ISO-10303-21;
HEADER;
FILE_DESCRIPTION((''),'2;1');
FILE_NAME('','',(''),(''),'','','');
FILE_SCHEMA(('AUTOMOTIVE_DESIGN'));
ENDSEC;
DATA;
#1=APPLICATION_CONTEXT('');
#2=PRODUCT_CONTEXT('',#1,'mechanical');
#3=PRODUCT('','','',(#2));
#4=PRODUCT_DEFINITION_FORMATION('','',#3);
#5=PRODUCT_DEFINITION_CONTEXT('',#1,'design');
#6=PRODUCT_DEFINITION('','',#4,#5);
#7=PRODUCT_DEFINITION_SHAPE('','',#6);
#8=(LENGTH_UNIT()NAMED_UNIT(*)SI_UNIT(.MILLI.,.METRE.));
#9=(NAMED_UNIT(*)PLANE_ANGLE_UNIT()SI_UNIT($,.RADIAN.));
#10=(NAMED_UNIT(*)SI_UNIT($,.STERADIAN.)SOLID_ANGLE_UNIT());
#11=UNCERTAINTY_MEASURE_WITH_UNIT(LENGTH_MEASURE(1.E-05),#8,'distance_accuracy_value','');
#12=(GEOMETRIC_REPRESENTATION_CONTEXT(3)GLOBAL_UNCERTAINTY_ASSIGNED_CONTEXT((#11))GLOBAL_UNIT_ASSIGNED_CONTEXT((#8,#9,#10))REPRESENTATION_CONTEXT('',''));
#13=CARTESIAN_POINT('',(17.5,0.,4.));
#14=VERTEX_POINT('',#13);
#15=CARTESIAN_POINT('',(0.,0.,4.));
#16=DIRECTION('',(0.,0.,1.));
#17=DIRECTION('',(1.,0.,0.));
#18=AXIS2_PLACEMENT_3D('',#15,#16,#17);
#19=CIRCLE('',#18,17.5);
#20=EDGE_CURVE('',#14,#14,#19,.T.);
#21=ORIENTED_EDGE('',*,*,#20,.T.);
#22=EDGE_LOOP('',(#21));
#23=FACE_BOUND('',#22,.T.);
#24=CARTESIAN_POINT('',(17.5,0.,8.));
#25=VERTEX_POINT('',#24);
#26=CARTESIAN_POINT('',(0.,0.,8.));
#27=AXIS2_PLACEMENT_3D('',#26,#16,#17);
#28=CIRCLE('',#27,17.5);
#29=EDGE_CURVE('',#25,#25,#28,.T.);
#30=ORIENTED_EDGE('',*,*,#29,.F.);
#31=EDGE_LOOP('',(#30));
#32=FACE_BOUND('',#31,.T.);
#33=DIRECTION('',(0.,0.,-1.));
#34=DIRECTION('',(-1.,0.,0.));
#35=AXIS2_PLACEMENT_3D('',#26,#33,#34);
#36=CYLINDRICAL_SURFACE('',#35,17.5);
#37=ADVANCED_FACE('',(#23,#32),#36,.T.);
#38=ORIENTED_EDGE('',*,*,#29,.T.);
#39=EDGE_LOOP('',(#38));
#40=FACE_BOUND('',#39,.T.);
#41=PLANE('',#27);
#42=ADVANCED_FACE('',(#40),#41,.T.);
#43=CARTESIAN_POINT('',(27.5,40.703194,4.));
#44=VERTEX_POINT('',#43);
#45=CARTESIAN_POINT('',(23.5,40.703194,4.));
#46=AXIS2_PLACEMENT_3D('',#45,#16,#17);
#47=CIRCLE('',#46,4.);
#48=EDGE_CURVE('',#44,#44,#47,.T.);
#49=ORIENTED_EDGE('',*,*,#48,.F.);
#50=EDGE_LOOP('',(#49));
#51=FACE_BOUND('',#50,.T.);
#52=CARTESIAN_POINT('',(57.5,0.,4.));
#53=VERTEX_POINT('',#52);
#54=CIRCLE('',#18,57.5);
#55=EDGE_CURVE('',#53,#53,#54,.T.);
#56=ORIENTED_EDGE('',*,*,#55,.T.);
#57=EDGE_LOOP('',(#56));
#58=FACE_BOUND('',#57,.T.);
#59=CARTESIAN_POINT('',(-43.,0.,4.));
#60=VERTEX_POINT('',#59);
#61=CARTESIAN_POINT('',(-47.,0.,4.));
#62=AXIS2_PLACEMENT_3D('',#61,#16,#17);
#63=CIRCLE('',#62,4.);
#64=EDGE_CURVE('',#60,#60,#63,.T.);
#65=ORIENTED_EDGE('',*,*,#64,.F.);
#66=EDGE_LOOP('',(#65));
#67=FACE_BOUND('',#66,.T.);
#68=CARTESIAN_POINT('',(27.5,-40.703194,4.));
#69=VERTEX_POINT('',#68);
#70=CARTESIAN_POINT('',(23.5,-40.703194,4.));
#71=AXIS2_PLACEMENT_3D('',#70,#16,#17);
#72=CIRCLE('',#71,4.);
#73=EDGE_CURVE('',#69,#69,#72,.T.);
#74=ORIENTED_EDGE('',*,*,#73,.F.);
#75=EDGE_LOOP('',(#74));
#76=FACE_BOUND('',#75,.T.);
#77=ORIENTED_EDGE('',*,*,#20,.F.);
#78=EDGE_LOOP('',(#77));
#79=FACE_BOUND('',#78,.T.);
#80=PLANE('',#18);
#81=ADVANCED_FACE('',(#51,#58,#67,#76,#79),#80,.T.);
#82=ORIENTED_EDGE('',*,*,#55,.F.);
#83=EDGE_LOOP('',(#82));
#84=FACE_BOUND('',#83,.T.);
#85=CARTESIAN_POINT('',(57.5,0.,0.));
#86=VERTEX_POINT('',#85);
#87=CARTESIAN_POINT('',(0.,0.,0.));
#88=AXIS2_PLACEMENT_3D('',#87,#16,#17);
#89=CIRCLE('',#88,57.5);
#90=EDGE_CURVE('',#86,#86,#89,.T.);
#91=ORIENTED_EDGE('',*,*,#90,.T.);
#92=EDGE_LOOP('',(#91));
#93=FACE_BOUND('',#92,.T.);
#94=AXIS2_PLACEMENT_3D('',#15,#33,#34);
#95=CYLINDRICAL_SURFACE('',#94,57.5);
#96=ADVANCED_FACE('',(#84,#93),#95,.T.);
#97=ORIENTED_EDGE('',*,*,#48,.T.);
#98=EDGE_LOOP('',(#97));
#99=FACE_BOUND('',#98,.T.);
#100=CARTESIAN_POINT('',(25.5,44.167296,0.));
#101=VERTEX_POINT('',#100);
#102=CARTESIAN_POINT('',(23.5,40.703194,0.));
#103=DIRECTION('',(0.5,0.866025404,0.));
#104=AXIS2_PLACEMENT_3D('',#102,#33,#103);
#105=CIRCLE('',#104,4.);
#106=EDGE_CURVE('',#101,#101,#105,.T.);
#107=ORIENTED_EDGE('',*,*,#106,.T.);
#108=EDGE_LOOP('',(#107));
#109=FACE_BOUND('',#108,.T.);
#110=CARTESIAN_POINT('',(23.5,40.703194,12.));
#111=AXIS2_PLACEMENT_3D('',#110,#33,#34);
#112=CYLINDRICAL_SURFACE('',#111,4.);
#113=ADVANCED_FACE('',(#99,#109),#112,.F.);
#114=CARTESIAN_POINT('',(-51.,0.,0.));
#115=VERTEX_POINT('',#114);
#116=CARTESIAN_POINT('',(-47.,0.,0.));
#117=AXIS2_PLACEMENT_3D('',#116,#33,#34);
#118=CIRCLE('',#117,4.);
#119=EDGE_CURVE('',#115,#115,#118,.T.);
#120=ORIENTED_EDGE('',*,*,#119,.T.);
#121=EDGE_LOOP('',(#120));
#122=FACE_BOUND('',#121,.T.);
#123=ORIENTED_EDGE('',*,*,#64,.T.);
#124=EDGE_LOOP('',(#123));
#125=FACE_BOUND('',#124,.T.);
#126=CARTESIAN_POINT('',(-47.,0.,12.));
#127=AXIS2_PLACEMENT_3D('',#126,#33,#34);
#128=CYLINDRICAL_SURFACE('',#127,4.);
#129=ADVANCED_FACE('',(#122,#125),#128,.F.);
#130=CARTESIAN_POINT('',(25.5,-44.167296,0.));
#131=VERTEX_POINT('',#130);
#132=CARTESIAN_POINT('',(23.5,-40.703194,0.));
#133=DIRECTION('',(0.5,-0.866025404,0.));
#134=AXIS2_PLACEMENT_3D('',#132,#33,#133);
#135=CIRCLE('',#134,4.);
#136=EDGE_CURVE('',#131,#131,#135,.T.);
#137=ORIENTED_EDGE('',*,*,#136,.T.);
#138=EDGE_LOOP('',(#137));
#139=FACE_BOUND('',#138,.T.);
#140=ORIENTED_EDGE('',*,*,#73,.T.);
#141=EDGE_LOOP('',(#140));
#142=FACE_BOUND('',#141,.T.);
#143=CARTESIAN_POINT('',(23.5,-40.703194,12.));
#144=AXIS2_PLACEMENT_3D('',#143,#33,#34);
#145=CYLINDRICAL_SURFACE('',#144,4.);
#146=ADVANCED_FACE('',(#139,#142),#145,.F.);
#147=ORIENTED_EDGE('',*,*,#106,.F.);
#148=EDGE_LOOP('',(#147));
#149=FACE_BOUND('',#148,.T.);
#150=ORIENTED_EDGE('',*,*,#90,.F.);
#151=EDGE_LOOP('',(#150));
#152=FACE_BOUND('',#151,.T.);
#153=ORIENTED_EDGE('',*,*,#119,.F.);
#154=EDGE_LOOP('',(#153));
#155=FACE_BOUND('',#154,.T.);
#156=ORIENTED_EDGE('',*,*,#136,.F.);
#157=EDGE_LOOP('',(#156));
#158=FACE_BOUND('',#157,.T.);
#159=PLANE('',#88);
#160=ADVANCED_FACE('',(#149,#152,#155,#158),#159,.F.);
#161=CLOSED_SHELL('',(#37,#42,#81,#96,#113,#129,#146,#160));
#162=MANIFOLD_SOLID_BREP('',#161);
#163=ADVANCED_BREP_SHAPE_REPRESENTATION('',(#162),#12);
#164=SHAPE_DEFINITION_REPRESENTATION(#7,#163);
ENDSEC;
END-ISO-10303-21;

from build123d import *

# Parameters (mm, degrees)
SKETCH_1_R               = 57.5
EXTRUDE_1_DEPTH          = 4
SKETCH_2_R               = 17.5
EXTRUDE_2_DEPTH          = 4
SKETCH_3_R               = 4
CUT_EXTRUDE_1_DEPTH      = 12
PATTERN_CIRCULAR_1_COUNT = 3


with BuildPart() as part:
    # 草图1 → 凸台-拉伸1 (new body)
    with BuildSketch(Plane.XY):
        Circle(SKETCH_1_R)
    extrude(amount=EXTRUDE_1_DEPTH)

    # 草图2 → 凸台-拉伸2 (add)
    with BuildSketch(Plane.XY.offset(4)):
        Circle(SKETCH_2_R)
    extrude(amount=EXTRUDE_2_DEPTH)

    # 草图3 → 切除-拉伸1 (cut)
    with BuildSketch(Plane(origin=(0, 0, 0), x_dir=(-1, 0, 0), z_dir=(0, 0, -1))):
        with Locations((47, 0)):
            Circle(SKETCH_3_R)
    cut_extrude_1 = extrude(amount=-CUT_EXTRUDE_1_DEPTH, mode=Mode.SUBTRACT)

    # 阵列(圆周)1: 切除-拉伸1 ×3 about axis
    pattern_circular_1_axis = Axis((0, 0, 0), (0, 0, 1))
    for i in range(1, PATTERN_CIRCULAR_1_COUNT):
        add(cut_extrude_1.rotate(pattern_circular_1_axis, i * 360 / PATTERN_CIRCULAR_1_COUNT), mode=Mode.SUBTRACT)


solid = part.part
